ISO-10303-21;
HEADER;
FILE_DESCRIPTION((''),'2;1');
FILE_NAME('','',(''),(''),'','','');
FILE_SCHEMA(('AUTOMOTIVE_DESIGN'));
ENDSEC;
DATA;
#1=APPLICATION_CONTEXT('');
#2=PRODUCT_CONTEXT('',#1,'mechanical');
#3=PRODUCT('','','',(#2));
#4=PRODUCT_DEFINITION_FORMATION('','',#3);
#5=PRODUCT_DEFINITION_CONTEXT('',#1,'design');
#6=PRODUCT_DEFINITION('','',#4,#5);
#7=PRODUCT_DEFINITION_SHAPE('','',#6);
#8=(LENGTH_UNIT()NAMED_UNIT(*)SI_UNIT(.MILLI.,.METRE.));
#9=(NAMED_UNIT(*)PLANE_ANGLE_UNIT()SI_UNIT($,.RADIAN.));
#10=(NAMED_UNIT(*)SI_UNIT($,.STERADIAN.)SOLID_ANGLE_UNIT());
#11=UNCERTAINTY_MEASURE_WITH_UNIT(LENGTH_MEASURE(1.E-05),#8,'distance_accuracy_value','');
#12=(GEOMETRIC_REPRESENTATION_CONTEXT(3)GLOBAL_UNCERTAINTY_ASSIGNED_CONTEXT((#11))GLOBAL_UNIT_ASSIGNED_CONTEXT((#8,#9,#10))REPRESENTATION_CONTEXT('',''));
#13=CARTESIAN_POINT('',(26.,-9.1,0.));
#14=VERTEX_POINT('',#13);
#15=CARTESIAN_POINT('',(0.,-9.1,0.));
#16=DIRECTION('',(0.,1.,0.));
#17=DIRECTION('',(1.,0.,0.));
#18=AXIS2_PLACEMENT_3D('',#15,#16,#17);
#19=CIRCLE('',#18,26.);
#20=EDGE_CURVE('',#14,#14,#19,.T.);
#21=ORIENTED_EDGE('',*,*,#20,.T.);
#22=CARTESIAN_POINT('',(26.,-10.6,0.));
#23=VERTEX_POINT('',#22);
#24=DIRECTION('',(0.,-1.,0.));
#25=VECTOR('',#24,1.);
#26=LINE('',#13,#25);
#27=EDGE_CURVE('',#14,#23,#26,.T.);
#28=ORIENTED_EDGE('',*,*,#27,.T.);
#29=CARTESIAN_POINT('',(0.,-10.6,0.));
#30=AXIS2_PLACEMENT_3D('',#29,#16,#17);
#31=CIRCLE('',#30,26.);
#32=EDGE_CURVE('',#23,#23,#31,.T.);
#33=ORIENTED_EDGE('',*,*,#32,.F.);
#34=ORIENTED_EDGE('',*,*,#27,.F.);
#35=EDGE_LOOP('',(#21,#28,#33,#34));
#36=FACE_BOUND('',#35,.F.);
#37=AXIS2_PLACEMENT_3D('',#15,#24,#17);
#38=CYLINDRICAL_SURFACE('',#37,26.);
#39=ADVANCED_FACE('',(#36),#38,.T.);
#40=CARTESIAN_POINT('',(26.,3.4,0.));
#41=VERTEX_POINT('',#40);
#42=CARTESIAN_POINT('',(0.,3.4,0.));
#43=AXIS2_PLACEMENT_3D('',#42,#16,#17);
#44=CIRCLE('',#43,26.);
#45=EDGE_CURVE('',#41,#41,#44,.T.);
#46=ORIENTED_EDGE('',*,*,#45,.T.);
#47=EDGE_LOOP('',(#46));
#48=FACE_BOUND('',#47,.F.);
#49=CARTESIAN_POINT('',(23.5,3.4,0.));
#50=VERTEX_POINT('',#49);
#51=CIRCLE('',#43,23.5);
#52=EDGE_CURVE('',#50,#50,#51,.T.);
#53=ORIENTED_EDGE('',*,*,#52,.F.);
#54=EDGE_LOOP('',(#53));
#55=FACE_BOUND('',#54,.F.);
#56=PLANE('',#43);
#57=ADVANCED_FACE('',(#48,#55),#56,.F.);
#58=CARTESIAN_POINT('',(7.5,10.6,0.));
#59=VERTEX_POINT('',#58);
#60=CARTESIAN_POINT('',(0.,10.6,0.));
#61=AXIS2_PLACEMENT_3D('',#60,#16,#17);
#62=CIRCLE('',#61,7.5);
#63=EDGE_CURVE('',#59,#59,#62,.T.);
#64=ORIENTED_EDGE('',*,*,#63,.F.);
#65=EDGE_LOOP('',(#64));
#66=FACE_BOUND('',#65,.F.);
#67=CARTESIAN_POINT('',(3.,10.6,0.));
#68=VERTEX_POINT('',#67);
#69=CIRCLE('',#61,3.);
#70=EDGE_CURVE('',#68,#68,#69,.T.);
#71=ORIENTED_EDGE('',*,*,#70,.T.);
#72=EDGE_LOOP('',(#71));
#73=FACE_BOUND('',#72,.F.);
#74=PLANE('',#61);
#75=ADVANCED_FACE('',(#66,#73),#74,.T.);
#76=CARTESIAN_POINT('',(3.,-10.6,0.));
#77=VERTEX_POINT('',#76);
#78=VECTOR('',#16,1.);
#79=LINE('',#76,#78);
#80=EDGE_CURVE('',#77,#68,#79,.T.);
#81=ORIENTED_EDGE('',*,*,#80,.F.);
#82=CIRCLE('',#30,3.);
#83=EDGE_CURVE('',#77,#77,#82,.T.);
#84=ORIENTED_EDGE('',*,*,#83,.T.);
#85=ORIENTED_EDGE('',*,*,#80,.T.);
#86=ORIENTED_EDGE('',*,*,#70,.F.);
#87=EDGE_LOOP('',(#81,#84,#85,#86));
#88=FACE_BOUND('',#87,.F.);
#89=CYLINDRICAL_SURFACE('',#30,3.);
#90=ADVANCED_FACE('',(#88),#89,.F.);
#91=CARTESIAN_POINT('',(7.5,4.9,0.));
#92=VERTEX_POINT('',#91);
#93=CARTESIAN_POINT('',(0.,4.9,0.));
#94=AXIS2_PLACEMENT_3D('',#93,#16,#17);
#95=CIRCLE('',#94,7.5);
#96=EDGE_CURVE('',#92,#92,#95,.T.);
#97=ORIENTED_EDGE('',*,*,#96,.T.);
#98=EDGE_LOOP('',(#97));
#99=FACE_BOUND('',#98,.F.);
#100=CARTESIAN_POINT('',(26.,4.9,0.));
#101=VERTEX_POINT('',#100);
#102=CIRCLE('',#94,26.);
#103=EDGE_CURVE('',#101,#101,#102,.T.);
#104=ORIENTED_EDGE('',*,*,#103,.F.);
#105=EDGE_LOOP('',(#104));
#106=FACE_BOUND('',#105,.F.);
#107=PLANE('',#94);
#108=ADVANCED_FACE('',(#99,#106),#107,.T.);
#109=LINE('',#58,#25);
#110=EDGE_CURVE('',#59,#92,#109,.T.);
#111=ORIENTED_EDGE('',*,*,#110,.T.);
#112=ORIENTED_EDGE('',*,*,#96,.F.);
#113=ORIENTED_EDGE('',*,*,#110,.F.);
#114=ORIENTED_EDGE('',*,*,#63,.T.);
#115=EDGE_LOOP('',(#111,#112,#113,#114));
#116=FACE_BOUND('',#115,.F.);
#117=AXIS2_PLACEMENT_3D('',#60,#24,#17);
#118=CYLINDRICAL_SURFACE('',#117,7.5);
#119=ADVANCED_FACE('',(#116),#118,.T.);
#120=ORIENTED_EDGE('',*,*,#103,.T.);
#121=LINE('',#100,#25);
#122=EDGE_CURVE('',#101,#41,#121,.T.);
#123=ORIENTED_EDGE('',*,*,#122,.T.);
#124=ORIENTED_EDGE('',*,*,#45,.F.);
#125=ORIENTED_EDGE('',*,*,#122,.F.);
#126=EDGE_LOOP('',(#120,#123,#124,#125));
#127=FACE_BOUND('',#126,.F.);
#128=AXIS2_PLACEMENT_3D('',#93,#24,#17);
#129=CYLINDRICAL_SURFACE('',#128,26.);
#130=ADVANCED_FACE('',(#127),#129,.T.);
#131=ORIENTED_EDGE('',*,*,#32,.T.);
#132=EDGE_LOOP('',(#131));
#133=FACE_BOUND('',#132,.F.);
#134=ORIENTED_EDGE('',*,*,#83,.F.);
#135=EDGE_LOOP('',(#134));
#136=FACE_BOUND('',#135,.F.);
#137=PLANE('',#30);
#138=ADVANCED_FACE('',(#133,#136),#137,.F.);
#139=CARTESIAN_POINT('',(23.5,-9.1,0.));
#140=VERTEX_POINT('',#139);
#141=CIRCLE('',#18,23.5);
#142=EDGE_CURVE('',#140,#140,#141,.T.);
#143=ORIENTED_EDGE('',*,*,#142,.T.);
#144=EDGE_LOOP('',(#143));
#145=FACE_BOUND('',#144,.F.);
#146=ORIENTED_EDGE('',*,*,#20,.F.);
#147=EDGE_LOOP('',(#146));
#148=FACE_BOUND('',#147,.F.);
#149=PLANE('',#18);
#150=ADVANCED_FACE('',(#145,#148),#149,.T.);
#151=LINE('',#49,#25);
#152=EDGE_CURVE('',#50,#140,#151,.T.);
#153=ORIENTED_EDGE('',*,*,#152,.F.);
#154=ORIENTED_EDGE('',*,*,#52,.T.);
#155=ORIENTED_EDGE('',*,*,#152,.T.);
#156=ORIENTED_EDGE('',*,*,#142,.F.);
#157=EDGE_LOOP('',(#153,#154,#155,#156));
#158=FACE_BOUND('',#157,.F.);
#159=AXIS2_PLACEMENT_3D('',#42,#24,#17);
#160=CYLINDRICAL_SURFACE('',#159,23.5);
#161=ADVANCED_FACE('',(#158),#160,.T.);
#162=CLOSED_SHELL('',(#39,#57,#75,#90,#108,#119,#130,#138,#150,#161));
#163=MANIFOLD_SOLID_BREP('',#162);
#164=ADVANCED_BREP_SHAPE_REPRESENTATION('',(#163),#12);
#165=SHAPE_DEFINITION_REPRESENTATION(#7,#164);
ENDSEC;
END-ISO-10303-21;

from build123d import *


with BuildPart() as part:
    # Sketch → Revolve (revolve)
    with BuildSketch(Plane.XY):
        Polygon((3, -10.6), (3, 10.6), (7.5, 10.6), (7.5, 4.9), (26, 4.9), (26, 3.4), (23.5, 3.4), (23.5, -9.1), (26, -9.1), (26, -10.6), align=None)
    revolve(axis=Axis((0, 0, 0), (0, 1, 0)))


solid = part.part
